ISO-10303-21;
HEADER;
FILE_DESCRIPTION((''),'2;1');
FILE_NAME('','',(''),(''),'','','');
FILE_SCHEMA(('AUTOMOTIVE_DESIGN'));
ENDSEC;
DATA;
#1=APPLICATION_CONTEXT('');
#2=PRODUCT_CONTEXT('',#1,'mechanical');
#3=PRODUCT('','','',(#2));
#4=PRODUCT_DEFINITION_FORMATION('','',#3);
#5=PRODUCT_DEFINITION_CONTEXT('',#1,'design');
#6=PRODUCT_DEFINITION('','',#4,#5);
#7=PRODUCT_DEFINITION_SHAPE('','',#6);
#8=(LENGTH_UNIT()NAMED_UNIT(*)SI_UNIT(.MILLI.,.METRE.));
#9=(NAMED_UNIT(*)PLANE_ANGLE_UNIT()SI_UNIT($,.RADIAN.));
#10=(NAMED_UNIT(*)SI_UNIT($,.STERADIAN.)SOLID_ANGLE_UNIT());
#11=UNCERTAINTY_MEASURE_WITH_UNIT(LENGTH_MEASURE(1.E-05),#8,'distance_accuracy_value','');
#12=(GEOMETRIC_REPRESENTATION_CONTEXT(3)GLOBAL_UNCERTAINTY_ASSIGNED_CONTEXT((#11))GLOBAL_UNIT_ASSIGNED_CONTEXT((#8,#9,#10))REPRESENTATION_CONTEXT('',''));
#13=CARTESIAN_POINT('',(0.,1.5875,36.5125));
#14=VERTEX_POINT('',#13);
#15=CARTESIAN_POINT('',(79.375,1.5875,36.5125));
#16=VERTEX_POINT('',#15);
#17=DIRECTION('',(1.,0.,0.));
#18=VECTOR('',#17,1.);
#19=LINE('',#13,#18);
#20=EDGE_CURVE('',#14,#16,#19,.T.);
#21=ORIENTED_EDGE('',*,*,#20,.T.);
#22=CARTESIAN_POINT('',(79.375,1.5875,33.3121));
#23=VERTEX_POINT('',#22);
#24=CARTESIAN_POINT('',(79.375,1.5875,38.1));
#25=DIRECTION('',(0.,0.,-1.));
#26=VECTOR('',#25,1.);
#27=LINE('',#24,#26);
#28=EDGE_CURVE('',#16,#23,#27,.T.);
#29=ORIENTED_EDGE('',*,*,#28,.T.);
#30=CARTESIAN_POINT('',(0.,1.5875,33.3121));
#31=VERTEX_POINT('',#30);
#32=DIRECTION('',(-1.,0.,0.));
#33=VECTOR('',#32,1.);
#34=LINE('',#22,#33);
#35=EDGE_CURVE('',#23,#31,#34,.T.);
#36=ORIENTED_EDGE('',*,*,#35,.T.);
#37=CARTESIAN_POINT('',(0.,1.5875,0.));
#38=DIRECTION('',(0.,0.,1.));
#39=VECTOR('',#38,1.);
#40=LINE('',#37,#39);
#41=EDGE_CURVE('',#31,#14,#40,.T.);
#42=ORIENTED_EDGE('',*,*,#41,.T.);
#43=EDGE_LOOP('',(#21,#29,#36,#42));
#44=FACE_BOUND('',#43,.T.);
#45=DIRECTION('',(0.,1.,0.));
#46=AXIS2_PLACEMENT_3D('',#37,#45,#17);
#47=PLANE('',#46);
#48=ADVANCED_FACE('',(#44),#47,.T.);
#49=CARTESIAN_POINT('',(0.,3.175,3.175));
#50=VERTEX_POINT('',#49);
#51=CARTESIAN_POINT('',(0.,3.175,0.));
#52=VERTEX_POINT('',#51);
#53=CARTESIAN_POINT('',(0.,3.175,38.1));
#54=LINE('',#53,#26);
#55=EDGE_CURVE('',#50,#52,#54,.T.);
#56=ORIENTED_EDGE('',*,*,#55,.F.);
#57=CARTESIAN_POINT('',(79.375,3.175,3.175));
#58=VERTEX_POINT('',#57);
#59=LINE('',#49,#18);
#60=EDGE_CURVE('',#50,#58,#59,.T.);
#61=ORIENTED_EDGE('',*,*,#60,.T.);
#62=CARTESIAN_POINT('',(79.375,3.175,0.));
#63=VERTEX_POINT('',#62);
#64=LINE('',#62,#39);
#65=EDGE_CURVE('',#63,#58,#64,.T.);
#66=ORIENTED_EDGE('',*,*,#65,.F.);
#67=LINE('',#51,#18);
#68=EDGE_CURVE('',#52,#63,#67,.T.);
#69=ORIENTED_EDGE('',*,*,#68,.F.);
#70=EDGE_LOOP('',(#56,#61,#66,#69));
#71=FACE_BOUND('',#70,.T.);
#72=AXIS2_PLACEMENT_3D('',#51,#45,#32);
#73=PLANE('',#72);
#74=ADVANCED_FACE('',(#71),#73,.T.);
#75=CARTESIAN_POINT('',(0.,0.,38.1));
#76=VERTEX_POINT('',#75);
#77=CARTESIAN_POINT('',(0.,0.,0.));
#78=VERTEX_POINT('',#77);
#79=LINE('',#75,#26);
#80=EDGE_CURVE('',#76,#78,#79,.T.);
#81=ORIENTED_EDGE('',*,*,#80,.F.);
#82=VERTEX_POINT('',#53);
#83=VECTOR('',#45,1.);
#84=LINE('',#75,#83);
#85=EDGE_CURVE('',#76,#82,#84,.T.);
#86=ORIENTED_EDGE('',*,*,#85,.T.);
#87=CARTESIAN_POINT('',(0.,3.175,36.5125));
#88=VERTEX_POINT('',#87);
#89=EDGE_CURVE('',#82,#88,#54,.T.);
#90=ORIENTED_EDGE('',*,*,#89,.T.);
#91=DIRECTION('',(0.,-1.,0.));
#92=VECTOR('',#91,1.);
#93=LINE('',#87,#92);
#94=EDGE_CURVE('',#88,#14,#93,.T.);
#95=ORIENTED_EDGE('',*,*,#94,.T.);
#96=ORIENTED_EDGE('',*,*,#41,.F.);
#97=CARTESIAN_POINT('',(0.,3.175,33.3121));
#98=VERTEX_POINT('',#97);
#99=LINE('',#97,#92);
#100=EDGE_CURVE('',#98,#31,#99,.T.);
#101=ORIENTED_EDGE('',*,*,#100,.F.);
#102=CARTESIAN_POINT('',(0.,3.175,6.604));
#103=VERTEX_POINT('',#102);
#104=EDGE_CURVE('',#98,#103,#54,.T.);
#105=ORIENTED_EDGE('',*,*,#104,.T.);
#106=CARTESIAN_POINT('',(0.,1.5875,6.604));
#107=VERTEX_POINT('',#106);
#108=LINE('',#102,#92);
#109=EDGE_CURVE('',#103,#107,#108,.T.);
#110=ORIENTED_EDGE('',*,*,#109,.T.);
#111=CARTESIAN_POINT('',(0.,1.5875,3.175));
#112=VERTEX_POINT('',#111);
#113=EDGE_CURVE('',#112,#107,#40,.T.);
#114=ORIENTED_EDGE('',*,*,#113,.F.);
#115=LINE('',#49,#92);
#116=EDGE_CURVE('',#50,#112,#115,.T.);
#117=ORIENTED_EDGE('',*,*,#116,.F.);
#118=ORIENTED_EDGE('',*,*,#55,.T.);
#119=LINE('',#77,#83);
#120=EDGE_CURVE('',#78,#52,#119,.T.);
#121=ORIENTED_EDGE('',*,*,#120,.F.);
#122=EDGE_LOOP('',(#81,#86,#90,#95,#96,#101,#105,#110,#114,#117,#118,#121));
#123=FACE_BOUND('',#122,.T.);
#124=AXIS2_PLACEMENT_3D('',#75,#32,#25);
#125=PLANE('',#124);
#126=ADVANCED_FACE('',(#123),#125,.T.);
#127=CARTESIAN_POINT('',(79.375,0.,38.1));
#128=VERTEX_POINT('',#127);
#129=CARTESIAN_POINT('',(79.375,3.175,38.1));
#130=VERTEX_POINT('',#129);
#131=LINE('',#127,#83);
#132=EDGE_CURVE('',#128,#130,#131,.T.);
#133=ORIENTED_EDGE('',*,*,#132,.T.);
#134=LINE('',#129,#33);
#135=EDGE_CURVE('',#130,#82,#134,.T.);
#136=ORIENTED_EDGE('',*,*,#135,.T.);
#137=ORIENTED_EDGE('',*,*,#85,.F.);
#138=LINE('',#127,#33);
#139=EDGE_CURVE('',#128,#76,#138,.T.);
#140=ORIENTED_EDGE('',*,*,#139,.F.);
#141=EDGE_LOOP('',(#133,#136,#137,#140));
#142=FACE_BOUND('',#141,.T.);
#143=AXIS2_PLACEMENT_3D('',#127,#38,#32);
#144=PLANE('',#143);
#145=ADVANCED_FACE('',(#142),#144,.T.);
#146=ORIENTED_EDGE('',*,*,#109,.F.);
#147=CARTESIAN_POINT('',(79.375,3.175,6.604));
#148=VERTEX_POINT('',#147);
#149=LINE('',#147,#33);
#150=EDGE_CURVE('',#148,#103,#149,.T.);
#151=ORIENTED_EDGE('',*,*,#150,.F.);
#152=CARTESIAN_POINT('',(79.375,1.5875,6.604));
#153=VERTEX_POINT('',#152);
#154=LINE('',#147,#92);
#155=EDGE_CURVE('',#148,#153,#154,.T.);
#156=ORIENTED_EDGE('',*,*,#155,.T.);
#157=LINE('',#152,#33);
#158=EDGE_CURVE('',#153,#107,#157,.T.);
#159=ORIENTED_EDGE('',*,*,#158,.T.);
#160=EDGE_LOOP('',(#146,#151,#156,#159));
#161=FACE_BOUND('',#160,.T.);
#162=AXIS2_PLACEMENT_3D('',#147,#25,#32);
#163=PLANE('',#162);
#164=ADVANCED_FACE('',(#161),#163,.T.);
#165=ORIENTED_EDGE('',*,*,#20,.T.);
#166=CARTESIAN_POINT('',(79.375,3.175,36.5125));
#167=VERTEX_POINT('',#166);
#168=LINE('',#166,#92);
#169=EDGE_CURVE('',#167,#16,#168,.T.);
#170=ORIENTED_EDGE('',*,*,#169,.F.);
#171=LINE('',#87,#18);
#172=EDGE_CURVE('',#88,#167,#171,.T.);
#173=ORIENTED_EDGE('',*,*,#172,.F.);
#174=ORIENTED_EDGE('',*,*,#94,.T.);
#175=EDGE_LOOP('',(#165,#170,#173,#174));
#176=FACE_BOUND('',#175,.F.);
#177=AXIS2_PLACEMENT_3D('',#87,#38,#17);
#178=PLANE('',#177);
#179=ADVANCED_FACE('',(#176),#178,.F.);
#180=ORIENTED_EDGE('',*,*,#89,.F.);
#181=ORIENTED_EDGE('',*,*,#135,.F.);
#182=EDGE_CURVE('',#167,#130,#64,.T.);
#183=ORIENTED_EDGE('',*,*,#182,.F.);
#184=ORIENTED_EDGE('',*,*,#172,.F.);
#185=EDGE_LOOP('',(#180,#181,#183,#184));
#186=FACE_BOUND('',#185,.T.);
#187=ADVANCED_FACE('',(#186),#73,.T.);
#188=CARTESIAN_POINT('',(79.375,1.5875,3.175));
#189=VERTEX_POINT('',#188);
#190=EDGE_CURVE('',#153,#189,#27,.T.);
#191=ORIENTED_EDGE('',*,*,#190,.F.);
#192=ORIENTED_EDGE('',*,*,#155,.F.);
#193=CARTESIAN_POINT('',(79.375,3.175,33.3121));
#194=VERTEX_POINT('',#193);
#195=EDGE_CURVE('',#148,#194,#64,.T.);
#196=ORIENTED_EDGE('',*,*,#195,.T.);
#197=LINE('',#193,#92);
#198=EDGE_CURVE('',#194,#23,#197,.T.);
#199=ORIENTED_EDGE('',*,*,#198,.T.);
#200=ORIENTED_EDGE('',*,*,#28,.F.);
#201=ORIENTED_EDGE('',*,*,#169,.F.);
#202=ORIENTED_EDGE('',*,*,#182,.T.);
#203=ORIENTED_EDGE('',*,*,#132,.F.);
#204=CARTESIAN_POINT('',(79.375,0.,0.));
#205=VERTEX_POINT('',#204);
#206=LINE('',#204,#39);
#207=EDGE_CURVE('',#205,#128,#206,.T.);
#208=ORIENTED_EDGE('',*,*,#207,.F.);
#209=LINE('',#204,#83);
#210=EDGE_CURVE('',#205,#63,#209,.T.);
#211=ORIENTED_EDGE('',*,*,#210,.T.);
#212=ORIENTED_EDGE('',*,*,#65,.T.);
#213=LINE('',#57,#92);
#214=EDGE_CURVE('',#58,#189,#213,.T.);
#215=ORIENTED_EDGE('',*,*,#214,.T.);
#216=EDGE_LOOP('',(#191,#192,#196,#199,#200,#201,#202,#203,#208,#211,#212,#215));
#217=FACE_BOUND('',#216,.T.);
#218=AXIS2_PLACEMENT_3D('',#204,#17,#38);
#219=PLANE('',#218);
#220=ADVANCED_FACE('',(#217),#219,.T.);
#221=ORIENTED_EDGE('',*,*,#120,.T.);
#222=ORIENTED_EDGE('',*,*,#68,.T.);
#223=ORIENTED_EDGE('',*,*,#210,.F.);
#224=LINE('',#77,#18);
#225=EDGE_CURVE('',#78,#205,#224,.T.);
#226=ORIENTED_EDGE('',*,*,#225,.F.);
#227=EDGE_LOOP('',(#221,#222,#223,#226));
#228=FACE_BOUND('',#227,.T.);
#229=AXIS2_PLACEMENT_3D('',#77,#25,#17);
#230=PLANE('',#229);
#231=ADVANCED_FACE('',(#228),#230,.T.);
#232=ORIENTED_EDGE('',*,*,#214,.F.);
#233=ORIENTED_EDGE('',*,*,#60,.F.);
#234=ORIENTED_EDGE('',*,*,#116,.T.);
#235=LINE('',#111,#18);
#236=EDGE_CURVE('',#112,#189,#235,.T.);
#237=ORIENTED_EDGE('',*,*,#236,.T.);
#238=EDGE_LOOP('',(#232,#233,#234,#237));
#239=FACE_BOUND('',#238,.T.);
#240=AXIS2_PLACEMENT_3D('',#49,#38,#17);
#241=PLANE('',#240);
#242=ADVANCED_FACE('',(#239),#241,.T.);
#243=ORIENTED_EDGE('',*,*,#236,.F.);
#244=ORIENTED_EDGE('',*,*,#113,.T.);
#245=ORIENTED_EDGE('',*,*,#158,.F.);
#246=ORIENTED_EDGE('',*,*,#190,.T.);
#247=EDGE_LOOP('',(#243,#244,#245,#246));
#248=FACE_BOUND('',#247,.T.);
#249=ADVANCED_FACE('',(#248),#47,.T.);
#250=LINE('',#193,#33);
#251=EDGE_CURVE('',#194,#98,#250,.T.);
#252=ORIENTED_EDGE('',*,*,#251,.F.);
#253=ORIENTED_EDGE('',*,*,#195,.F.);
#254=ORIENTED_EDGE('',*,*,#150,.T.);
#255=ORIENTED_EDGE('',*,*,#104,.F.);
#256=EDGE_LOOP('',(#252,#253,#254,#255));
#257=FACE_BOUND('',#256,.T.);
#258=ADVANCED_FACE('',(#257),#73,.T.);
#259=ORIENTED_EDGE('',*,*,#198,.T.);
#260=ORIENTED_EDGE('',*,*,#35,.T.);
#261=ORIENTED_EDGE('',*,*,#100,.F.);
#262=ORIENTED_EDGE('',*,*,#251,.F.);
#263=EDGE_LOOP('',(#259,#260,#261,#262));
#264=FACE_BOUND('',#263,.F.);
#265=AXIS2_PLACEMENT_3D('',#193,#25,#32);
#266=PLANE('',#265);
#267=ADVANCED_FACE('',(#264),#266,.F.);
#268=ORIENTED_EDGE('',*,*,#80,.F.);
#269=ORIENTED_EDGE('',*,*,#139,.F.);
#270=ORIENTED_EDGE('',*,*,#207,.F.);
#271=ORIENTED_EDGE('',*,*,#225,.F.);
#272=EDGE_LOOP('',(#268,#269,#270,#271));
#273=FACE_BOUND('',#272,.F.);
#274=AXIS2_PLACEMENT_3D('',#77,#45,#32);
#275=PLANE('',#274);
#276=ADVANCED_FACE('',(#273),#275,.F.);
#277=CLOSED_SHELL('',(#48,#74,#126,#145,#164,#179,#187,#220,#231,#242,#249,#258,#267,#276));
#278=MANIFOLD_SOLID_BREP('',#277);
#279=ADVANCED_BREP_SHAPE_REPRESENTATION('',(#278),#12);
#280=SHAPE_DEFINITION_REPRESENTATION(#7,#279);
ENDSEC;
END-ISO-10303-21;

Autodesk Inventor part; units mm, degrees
ref_plane "YZ Plane" through (0, 0, 0) normal (1, 0, 0) x (0, 1, 0)
ref_plane "XZ Plane" through (0, 0, 0) normal (0, 1, 0) x (-1, 0, 0)
ref_plane "XY Plane" through (0, 0, 0) normal (0, 0, 1) x (1, 0, 0)
sketch "Sketch1" plane through (0, 0, 0) normal (0, 1, 0) x (-1, 0, 0)
  line L0 (0, 0) -> (-79.375, 0)
  line L1 (-79.375, 0) -> (-79.375, 38.1)
  line L2 (-79.375, 38.1) -> (0, 38.1)
  line L3 (0, 38.1) -> (0, 0)
  dimension "d0" = 79.375
  dimension "d1" = 38.1
extrude "Extrusion1" add sketch "Sketch1" along normal blind 3.175
sketch "Sketch2" plane through (0, 3.175, 0) normal (0, 1, 0) x (1, 0, 0)
  line L0 (79.375, 0) -> (0, 0) projected
  line L1 (0, 0) -> (0, -38.1) projected
  line L2 (0, -38.1) -> (79.375, -38.1) projected
  line L3 (79.375, -38.1) -> (79.375, 0) projected
  line L4 (0, -3.175) -> (79.375, -3.175)
  line L5 (79.375, -3.175) -> (79.375, -6.604)
  line L6 (79.375, -6.604) -> (0, -6.604)
  line L7 (0, -6.604) -> (0, -3.175)
  line L8 (79.375, -33.3121) -> (0, -33.3121)
  line L9 (0, -33.3121) -> (0, -36.5125)
  line L10 (0, -36.5125) -> (79.375, -36.5125)
  line L11 (79.375, -36.5125) -> (79.375, -33.3121)
  dimension "d4" = 3.429
  dimension "d5" = 3.175
  dimension "d6" = 3.2004
  dimension "d7" = 1.5875
extrude "Extrusion2" cut sketch "Sketch2" against normal blind 1.5875 contours L3 L6 L1 L4 | L3 L10 L1 L8
properties part number "Electronics Container Part 3"
